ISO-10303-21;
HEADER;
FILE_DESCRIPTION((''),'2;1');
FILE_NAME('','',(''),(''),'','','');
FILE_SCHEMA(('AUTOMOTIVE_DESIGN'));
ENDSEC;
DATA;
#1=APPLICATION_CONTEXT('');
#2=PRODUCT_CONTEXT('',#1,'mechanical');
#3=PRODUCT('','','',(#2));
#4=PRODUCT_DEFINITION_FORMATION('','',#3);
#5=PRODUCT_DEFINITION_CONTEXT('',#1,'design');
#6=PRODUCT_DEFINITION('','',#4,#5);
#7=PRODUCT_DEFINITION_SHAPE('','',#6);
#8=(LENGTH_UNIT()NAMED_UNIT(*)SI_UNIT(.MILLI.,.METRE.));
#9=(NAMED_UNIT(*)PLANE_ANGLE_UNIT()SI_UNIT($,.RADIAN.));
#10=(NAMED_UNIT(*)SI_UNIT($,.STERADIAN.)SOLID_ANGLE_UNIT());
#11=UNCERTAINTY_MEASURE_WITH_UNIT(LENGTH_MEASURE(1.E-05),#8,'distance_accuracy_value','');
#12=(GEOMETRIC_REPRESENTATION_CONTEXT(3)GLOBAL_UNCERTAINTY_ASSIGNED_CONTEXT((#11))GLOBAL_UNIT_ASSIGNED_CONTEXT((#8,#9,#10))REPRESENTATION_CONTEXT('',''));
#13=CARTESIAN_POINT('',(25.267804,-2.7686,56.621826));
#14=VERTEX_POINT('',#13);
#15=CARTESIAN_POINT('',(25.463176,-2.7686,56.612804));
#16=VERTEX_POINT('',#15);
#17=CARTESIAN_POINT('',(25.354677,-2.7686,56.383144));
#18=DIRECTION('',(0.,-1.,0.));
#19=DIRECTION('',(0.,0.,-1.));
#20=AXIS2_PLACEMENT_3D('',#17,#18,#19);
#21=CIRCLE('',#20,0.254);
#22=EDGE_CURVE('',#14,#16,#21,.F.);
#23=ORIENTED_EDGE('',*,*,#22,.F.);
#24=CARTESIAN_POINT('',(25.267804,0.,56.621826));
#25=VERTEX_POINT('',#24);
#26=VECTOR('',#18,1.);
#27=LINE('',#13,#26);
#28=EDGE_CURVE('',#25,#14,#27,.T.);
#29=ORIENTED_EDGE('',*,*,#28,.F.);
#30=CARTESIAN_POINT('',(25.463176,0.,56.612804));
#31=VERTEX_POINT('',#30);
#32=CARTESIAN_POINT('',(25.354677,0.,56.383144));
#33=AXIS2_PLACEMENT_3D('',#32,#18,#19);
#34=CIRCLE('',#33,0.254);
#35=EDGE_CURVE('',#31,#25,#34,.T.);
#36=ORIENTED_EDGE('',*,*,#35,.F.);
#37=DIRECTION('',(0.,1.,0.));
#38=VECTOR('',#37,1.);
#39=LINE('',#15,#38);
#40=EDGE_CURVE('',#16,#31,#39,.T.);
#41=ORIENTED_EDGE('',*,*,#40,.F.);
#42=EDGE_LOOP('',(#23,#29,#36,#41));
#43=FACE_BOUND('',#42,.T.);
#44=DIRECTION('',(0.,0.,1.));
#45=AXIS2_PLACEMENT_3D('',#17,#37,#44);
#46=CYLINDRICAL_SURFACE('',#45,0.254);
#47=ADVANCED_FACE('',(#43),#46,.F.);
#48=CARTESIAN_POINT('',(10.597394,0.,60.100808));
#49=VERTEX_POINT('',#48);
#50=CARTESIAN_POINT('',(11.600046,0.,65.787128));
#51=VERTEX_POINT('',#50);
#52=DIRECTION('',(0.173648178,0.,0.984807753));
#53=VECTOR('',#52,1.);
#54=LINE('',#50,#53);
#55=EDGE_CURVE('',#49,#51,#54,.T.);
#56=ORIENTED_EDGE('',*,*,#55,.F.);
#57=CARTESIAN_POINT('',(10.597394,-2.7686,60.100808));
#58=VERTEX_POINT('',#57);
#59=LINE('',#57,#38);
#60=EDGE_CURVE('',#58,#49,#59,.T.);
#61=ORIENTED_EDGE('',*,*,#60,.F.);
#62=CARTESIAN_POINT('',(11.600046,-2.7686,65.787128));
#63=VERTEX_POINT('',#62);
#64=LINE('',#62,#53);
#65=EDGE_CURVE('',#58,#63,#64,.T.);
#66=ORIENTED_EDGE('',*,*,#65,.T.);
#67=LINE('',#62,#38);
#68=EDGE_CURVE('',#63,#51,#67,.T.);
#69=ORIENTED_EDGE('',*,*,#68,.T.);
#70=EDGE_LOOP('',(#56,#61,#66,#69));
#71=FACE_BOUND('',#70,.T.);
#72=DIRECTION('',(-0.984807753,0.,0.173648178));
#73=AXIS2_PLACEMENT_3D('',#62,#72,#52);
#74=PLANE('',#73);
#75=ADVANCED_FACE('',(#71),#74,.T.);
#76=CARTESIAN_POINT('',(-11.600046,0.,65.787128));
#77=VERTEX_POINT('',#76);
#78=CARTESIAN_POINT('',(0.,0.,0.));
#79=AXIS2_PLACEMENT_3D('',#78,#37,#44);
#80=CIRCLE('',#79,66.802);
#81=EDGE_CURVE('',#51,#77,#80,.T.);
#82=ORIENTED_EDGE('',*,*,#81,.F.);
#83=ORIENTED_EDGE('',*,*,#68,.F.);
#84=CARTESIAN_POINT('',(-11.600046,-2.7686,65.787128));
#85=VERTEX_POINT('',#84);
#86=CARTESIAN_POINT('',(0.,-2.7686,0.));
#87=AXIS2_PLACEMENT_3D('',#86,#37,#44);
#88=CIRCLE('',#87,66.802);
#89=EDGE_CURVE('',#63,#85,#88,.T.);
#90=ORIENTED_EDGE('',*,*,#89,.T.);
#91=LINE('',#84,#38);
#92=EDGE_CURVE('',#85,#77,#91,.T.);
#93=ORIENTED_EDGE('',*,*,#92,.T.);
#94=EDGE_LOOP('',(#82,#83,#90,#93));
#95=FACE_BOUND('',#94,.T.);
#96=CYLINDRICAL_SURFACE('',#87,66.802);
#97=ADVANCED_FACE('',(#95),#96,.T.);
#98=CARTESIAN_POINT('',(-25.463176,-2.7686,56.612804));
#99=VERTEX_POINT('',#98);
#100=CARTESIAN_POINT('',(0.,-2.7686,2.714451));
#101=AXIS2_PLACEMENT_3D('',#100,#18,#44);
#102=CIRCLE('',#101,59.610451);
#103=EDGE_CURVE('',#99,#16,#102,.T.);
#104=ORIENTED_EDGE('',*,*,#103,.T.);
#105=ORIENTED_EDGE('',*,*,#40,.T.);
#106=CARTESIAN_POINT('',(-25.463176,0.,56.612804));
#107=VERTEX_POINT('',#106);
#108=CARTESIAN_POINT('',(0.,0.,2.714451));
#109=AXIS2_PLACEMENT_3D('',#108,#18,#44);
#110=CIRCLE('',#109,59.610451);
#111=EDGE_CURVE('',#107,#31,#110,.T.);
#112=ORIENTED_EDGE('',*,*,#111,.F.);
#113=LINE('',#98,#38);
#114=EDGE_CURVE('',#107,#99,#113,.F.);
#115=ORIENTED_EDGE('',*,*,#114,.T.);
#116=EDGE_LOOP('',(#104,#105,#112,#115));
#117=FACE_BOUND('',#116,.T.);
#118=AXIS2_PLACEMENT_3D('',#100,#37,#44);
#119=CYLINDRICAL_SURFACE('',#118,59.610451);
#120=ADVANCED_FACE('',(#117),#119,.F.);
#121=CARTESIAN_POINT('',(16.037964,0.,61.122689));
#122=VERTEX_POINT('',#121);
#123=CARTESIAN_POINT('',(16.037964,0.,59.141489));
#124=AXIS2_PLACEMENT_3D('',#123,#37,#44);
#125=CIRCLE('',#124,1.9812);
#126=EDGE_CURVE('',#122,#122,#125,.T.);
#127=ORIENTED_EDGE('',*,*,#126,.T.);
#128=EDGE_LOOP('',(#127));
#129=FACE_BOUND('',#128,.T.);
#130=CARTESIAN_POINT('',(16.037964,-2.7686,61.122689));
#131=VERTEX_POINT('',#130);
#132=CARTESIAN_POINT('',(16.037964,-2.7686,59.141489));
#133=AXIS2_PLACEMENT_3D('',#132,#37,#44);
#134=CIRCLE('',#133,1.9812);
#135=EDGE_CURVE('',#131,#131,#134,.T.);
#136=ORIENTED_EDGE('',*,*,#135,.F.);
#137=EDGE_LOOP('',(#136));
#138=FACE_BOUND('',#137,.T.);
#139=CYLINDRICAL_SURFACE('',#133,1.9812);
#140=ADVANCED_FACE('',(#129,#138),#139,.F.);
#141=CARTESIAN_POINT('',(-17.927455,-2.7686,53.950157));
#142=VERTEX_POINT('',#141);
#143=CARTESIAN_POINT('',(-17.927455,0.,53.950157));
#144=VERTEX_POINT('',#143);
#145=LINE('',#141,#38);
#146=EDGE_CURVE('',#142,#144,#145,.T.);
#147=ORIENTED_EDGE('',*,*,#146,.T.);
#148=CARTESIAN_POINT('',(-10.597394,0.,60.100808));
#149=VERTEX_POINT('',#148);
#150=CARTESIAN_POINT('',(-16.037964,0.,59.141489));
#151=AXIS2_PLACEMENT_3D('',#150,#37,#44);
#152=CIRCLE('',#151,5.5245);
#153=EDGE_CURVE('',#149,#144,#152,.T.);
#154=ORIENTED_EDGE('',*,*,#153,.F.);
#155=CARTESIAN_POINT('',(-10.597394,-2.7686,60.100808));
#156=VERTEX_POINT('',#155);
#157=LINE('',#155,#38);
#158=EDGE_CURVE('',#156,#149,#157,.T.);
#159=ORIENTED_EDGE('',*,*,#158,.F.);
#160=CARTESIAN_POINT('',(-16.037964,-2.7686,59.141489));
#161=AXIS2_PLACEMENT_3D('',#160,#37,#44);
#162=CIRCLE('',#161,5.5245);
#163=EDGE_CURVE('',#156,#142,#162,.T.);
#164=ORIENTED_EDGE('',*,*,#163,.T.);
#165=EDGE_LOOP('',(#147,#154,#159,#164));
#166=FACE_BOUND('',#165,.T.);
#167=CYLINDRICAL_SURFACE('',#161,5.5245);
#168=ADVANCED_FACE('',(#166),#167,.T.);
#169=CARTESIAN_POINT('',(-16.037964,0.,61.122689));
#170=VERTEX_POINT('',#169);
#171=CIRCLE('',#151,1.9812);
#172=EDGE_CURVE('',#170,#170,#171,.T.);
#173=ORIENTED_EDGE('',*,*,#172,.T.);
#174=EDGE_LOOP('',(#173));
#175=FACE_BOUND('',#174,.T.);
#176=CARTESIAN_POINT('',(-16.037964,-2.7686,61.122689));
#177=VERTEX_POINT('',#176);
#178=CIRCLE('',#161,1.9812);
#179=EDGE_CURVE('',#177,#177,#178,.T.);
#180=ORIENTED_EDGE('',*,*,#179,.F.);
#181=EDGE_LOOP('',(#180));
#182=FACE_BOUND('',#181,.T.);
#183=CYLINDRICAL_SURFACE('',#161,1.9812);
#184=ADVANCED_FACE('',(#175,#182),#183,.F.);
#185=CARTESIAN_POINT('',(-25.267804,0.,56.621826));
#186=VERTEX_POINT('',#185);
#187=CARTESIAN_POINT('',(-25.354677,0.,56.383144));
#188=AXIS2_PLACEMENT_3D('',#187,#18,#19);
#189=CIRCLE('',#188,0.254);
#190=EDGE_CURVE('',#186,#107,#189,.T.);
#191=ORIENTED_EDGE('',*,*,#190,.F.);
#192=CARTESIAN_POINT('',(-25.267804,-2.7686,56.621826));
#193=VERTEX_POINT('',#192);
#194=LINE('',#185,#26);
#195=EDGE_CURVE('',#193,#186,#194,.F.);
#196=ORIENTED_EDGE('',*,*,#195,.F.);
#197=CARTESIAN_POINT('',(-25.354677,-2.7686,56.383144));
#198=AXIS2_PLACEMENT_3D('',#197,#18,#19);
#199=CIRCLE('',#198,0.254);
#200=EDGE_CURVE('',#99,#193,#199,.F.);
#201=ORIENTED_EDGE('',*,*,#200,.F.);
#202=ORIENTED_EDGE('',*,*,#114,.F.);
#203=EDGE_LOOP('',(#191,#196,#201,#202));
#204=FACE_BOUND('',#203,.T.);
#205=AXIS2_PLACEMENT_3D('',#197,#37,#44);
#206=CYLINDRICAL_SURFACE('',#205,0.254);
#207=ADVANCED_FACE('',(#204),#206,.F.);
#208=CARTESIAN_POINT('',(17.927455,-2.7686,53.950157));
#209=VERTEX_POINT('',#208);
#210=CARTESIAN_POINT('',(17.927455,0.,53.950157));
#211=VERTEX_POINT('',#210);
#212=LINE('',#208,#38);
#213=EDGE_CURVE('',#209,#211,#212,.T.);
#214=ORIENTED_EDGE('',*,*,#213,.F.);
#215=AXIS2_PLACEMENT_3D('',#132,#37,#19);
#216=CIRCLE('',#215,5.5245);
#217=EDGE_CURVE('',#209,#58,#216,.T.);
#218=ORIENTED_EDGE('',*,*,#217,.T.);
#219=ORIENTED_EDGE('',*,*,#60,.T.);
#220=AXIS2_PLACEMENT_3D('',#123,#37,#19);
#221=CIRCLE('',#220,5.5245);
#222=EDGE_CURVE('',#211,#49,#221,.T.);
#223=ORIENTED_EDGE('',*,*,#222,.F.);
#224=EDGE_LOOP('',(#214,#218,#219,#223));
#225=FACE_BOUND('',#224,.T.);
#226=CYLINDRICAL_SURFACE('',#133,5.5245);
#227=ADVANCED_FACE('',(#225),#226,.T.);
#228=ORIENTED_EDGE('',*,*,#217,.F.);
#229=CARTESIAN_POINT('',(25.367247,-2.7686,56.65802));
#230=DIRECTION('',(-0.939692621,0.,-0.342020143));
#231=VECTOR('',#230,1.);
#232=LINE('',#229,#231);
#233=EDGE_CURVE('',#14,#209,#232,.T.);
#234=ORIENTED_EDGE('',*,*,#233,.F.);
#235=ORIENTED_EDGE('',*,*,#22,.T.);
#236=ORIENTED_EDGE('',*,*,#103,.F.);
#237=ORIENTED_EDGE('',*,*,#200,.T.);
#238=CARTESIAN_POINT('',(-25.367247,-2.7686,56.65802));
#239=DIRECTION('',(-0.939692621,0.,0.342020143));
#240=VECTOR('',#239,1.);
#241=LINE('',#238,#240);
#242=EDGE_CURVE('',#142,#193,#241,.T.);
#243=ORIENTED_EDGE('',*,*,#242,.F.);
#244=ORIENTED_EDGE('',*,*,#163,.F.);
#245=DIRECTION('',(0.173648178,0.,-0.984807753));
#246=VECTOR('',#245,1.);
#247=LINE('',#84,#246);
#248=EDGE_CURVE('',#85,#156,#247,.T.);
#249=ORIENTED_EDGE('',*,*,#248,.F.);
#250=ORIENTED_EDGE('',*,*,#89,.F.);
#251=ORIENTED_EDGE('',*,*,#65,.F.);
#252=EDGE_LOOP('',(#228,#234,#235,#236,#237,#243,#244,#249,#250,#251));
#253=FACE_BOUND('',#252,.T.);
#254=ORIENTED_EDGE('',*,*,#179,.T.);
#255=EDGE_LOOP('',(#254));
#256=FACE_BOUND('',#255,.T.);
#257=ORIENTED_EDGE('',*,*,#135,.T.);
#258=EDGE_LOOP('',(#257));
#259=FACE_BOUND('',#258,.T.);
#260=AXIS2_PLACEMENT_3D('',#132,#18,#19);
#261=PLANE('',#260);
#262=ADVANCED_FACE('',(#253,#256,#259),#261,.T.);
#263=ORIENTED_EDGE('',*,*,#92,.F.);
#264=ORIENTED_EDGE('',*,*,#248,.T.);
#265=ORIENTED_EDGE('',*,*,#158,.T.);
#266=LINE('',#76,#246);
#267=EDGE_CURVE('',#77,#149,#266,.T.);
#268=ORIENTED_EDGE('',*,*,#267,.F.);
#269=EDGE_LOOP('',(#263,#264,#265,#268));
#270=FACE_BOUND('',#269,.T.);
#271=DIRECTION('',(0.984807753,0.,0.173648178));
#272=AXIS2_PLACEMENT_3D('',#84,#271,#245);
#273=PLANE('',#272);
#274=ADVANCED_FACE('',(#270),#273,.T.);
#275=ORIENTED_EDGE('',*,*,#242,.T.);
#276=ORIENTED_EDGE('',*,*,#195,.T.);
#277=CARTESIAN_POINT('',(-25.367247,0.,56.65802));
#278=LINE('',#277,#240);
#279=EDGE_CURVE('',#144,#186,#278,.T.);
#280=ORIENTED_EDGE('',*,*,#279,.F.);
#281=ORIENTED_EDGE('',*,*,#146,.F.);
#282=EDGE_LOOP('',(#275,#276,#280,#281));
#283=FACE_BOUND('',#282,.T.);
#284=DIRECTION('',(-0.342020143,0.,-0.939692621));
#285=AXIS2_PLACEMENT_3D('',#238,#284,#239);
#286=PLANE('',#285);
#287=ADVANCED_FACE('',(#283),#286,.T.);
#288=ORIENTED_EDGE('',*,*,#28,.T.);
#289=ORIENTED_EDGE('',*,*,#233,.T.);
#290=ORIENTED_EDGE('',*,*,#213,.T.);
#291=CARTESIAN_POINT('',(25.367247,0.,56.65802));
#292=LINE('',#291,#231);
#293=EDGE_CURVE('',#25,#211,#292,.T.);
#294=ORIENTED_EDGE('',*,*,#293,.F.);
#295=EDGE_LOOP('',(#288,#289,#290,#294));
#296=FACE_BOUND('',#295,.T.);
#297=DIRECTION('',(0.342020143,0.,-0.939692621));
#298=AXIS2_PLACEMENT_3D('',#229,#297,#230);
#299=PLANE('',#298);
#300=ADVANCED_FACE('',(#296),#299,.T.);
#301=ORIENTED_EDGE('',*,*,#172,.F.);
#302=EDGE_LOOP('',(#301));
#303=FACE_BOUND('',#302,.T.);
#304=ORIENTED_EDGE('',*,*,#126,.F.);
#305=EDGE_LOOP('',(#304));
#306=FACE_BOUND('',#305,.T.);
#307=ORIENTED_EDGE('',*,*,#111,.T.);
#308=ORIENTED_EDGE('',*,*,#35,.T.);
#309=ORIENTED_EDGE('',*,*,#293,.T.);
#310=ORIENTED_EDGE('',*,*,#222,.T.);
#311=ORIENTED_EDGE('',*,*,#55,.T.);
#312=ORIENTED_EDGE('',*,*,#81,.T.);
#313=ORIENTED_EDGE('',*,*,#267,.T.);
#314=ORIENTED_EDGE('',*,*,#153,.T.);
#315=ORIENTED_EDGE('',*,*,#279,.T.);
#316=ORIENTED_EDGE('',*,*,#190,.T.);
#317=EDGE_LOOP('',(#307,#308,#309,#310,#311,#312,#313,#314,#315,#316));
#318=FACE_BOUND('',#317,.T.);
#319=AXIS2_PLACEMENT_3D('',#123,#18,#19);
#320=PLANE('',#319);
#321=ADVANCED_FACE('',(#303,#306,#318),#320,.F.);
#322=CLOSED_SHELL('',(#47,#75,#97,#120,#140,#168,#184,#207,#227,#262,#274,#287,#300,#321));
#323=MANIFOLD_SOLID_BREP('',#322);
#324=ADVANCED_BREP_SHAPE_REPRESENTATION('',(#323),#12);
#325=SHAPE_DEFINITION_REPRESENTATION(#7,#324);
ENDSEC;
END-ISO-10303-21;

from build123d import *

# Parameters (mm, degrees)
SKETCH2_R      = 1.9812
EXTRUDE1_DEPTH = 2.7686
FILLET1_R      = 0.254


with BuildPart() as part:
    # Sketch2 → Extrude1 (new body)
    with BuildSketch(Plane(origin=(0, 0, 0), x_dir=(1, 0, 0), z_dir=(0, 1, 0))):
        with BuildLine():
            Line((11.600045565, -65.787127517), (10.597394047, -60.100808193))
            ThreePointArc((10.597394047, -60.100808193), (12.486884329, -54.909476309), (17.92745476, -53.950156952))
            Line((17.92745476, -53.950156952), (25.367246838, -56.658019817))
            ThreePointArc((25.367246838, -56.658019817), (0, 56.896), (-25.367246838, -56.658019817))
            Line((-25.367246838, -56.658019817), (-17.92745476, -53.950156952))
            ThreePointArc((-17.92745476, -53.950156952), (-12.486884329, -54.909476309), (-10.597394047, -60.100808193))
            Line((-10.597394047, -60.100808193), (-11.600045565, -65.787127517))
            ThreePointArc((-11.600045565, -65.787127517), (0, 66.802), (11.600045565, -65.787127517))
        make_face()
        with Locations(Location((16.037964478, -59.141488835, 0), (0, 0, 270))):
            Circle(SKETCH2_R, mode=Mode.SUBTRACT)
        with Locations(Location((-16.037964478, -59.141488835, 0), (0, 0, 270))):
            Circle(SKETCH2_R, mode=Mode.SUBTRACT)
    extrude(amount=-EXTRUDE1_DEPTH)

    # Fillet1
    fillet1_edges = [part.edges().sort_by_distance(p)[0] for p in [
        (25.367246838, -1.3843, 56.658019817),
        (-25.367246838, -1.3843, 56.658019817),
    ]]
    fillet(fillet1_edges, radius=FILLET1_R)


solid = part.part
